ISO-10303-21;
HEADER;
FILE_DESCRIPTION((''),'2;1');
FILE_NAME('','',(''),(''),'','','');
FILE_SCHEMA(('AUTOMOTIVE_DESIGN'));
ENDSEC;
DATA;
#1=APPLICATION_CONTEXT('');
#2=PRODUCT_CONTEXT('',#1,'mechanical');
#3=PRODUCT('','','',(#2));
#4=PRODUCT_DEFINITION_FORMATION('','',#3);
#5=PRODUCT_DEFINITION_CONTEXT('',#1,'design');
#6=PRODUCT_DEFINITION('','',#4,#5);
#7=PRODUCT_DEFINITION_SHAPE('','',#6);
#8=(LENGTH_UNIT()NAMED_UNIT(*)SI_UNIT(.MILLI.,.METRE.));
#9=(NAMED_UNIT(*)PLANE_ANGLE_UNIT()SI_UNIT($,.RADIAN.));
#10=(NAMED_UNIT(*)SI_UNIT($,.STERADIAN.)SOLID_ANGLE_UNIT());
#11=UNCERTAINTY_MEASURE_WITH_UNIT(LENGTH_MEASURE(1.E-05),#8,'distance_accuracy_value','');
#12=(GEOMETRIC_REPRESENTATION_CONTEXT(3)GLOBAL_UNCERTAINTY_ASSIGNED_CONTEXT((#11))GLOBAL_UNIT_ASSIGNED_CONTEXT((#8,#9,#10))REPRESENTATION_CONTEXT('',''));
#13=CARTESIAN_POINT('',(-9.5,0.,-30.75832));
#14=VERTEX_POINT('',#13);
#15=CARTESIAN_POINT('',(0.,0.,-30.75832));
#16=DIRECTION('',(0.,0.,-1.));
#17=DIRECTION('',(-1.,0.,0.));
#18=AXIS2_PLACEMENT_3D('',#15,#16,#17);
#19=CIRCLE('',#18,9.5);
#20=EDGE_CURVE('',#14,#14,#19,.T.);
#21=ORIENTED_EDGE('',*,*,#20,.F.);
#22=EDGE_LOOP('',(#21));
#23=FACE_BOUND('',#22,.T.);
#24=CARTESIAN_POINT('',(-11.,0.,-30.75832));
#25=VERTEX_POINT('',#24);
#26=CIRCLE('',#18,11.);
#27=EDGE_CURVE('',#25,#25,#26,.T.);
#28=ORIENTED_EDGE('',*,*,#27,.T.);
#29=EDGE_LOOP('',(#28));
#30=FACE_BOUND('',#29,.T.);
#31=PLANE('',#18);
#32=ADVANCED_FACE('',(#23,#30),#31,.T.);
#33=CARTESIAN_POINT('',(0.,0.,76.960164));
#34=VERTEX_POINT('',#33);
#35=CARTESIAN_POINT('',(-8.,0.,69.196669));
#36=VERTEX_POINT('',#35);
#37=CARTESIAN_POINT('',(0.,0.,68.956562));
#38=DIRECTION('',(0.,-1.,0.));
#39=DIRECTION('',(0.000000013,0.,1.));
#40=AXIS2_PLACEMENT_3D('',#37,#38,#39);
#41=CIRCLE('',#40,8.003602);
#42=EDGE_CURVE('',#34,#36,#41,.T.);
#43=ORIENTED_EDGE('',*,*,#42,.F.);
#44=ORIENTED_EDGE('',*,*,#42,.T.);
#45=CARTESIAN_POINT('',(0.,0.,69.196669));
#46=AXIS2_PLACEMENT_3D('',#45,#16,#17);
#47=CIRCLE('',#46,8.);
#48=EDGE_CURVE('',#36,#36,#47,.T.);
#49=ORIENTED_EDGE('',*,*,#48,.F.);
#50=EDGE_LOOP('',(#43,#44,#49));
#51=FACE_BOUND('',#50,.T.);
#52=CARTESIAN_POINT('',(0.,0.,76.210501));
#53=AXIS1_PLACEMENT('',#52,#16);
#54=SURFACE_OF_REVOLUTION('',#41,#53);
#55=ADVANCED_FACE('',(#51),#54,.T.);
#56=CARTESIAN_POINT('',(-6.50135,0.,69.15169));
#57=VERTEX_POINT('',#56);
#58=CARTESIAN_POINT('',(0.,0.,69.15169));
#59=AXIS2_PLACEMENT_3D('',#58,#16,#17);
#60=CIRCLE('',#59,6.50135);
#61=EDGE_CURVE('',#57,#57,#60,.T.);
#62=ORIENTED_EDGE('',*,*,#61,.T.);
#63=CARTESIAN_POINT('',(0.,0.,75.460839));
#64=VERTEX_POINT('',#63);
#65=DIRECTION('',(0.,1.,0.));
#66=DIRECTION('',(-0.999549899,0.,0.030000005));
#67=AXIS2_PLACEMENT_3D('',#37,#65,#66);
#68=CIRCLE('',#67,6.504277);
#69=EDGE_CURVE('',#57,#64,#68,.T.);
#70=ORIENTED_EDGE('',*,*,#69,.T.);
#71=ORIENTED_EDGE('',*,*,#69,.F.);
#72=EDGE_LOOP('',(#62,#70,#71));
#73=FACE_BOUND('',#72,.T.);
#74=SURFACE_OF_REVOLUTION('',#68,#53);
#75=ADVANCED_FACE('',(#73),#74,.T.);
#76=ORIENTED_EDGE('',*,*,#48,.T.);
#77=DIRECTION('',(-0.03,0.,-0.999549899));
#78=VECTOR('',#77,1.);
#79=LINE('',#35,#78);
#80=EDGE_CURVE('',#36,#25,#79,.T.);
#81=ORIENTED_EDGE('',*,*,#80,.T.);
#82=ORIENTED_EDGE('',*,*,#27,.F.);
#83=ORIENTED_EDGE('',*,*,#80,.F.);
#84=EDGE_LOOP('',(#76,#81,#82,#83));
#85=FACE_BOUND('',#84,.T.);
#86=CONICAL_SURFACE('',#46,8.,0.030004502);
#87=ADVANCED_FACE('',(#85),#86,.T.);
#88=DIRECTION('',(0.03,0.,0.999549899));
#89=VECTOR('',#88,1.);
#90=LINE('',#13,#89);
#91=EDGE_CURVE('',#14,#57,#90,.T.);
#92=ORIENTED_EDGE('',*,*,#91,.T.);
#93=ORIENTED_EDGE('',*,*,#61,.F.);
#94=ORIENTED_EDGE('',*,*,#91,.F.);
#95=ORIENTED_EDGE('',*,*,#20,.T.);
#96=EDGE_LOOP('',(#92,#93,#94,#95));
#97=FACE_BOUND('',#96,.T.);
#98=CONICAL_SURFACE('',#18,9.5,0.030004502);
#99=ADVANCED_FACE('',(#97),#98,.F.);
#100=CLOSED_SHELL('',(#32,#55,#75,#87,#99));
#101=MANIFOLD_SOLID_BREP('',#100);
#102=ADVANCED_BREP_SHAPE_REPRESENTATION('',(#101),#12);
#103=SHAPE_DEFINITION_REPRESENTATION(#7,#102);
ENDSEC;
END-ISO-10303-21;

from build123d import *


with BuildPart() as f1:
    # F0 (on Front) → F1 (revolve)
    with BuildSketch(Plane.XZ):
        with BuildLine():
            ThreePointArc((0, 76.960164), (-5.573864, 74.700227), (-8, 69.196669))
            Line((-8, 69.196669), (-11, -30.75832))
            Line((-11, -30.75832), (-9.5, -30.75832))
            Line((-9.5, -30.75832), (-6.50135, 69.15169))
            ThreePointArc((-6.50135, 69.15169), (-4.529705, 73.624259), (0, 75.460839))
            Line((0, 75.460839), (0, 76.960164))
        make_face()
    revolve(axis=Axis((0, 0, 76.210501), (0, 0, -1)))


solid = f1.part
